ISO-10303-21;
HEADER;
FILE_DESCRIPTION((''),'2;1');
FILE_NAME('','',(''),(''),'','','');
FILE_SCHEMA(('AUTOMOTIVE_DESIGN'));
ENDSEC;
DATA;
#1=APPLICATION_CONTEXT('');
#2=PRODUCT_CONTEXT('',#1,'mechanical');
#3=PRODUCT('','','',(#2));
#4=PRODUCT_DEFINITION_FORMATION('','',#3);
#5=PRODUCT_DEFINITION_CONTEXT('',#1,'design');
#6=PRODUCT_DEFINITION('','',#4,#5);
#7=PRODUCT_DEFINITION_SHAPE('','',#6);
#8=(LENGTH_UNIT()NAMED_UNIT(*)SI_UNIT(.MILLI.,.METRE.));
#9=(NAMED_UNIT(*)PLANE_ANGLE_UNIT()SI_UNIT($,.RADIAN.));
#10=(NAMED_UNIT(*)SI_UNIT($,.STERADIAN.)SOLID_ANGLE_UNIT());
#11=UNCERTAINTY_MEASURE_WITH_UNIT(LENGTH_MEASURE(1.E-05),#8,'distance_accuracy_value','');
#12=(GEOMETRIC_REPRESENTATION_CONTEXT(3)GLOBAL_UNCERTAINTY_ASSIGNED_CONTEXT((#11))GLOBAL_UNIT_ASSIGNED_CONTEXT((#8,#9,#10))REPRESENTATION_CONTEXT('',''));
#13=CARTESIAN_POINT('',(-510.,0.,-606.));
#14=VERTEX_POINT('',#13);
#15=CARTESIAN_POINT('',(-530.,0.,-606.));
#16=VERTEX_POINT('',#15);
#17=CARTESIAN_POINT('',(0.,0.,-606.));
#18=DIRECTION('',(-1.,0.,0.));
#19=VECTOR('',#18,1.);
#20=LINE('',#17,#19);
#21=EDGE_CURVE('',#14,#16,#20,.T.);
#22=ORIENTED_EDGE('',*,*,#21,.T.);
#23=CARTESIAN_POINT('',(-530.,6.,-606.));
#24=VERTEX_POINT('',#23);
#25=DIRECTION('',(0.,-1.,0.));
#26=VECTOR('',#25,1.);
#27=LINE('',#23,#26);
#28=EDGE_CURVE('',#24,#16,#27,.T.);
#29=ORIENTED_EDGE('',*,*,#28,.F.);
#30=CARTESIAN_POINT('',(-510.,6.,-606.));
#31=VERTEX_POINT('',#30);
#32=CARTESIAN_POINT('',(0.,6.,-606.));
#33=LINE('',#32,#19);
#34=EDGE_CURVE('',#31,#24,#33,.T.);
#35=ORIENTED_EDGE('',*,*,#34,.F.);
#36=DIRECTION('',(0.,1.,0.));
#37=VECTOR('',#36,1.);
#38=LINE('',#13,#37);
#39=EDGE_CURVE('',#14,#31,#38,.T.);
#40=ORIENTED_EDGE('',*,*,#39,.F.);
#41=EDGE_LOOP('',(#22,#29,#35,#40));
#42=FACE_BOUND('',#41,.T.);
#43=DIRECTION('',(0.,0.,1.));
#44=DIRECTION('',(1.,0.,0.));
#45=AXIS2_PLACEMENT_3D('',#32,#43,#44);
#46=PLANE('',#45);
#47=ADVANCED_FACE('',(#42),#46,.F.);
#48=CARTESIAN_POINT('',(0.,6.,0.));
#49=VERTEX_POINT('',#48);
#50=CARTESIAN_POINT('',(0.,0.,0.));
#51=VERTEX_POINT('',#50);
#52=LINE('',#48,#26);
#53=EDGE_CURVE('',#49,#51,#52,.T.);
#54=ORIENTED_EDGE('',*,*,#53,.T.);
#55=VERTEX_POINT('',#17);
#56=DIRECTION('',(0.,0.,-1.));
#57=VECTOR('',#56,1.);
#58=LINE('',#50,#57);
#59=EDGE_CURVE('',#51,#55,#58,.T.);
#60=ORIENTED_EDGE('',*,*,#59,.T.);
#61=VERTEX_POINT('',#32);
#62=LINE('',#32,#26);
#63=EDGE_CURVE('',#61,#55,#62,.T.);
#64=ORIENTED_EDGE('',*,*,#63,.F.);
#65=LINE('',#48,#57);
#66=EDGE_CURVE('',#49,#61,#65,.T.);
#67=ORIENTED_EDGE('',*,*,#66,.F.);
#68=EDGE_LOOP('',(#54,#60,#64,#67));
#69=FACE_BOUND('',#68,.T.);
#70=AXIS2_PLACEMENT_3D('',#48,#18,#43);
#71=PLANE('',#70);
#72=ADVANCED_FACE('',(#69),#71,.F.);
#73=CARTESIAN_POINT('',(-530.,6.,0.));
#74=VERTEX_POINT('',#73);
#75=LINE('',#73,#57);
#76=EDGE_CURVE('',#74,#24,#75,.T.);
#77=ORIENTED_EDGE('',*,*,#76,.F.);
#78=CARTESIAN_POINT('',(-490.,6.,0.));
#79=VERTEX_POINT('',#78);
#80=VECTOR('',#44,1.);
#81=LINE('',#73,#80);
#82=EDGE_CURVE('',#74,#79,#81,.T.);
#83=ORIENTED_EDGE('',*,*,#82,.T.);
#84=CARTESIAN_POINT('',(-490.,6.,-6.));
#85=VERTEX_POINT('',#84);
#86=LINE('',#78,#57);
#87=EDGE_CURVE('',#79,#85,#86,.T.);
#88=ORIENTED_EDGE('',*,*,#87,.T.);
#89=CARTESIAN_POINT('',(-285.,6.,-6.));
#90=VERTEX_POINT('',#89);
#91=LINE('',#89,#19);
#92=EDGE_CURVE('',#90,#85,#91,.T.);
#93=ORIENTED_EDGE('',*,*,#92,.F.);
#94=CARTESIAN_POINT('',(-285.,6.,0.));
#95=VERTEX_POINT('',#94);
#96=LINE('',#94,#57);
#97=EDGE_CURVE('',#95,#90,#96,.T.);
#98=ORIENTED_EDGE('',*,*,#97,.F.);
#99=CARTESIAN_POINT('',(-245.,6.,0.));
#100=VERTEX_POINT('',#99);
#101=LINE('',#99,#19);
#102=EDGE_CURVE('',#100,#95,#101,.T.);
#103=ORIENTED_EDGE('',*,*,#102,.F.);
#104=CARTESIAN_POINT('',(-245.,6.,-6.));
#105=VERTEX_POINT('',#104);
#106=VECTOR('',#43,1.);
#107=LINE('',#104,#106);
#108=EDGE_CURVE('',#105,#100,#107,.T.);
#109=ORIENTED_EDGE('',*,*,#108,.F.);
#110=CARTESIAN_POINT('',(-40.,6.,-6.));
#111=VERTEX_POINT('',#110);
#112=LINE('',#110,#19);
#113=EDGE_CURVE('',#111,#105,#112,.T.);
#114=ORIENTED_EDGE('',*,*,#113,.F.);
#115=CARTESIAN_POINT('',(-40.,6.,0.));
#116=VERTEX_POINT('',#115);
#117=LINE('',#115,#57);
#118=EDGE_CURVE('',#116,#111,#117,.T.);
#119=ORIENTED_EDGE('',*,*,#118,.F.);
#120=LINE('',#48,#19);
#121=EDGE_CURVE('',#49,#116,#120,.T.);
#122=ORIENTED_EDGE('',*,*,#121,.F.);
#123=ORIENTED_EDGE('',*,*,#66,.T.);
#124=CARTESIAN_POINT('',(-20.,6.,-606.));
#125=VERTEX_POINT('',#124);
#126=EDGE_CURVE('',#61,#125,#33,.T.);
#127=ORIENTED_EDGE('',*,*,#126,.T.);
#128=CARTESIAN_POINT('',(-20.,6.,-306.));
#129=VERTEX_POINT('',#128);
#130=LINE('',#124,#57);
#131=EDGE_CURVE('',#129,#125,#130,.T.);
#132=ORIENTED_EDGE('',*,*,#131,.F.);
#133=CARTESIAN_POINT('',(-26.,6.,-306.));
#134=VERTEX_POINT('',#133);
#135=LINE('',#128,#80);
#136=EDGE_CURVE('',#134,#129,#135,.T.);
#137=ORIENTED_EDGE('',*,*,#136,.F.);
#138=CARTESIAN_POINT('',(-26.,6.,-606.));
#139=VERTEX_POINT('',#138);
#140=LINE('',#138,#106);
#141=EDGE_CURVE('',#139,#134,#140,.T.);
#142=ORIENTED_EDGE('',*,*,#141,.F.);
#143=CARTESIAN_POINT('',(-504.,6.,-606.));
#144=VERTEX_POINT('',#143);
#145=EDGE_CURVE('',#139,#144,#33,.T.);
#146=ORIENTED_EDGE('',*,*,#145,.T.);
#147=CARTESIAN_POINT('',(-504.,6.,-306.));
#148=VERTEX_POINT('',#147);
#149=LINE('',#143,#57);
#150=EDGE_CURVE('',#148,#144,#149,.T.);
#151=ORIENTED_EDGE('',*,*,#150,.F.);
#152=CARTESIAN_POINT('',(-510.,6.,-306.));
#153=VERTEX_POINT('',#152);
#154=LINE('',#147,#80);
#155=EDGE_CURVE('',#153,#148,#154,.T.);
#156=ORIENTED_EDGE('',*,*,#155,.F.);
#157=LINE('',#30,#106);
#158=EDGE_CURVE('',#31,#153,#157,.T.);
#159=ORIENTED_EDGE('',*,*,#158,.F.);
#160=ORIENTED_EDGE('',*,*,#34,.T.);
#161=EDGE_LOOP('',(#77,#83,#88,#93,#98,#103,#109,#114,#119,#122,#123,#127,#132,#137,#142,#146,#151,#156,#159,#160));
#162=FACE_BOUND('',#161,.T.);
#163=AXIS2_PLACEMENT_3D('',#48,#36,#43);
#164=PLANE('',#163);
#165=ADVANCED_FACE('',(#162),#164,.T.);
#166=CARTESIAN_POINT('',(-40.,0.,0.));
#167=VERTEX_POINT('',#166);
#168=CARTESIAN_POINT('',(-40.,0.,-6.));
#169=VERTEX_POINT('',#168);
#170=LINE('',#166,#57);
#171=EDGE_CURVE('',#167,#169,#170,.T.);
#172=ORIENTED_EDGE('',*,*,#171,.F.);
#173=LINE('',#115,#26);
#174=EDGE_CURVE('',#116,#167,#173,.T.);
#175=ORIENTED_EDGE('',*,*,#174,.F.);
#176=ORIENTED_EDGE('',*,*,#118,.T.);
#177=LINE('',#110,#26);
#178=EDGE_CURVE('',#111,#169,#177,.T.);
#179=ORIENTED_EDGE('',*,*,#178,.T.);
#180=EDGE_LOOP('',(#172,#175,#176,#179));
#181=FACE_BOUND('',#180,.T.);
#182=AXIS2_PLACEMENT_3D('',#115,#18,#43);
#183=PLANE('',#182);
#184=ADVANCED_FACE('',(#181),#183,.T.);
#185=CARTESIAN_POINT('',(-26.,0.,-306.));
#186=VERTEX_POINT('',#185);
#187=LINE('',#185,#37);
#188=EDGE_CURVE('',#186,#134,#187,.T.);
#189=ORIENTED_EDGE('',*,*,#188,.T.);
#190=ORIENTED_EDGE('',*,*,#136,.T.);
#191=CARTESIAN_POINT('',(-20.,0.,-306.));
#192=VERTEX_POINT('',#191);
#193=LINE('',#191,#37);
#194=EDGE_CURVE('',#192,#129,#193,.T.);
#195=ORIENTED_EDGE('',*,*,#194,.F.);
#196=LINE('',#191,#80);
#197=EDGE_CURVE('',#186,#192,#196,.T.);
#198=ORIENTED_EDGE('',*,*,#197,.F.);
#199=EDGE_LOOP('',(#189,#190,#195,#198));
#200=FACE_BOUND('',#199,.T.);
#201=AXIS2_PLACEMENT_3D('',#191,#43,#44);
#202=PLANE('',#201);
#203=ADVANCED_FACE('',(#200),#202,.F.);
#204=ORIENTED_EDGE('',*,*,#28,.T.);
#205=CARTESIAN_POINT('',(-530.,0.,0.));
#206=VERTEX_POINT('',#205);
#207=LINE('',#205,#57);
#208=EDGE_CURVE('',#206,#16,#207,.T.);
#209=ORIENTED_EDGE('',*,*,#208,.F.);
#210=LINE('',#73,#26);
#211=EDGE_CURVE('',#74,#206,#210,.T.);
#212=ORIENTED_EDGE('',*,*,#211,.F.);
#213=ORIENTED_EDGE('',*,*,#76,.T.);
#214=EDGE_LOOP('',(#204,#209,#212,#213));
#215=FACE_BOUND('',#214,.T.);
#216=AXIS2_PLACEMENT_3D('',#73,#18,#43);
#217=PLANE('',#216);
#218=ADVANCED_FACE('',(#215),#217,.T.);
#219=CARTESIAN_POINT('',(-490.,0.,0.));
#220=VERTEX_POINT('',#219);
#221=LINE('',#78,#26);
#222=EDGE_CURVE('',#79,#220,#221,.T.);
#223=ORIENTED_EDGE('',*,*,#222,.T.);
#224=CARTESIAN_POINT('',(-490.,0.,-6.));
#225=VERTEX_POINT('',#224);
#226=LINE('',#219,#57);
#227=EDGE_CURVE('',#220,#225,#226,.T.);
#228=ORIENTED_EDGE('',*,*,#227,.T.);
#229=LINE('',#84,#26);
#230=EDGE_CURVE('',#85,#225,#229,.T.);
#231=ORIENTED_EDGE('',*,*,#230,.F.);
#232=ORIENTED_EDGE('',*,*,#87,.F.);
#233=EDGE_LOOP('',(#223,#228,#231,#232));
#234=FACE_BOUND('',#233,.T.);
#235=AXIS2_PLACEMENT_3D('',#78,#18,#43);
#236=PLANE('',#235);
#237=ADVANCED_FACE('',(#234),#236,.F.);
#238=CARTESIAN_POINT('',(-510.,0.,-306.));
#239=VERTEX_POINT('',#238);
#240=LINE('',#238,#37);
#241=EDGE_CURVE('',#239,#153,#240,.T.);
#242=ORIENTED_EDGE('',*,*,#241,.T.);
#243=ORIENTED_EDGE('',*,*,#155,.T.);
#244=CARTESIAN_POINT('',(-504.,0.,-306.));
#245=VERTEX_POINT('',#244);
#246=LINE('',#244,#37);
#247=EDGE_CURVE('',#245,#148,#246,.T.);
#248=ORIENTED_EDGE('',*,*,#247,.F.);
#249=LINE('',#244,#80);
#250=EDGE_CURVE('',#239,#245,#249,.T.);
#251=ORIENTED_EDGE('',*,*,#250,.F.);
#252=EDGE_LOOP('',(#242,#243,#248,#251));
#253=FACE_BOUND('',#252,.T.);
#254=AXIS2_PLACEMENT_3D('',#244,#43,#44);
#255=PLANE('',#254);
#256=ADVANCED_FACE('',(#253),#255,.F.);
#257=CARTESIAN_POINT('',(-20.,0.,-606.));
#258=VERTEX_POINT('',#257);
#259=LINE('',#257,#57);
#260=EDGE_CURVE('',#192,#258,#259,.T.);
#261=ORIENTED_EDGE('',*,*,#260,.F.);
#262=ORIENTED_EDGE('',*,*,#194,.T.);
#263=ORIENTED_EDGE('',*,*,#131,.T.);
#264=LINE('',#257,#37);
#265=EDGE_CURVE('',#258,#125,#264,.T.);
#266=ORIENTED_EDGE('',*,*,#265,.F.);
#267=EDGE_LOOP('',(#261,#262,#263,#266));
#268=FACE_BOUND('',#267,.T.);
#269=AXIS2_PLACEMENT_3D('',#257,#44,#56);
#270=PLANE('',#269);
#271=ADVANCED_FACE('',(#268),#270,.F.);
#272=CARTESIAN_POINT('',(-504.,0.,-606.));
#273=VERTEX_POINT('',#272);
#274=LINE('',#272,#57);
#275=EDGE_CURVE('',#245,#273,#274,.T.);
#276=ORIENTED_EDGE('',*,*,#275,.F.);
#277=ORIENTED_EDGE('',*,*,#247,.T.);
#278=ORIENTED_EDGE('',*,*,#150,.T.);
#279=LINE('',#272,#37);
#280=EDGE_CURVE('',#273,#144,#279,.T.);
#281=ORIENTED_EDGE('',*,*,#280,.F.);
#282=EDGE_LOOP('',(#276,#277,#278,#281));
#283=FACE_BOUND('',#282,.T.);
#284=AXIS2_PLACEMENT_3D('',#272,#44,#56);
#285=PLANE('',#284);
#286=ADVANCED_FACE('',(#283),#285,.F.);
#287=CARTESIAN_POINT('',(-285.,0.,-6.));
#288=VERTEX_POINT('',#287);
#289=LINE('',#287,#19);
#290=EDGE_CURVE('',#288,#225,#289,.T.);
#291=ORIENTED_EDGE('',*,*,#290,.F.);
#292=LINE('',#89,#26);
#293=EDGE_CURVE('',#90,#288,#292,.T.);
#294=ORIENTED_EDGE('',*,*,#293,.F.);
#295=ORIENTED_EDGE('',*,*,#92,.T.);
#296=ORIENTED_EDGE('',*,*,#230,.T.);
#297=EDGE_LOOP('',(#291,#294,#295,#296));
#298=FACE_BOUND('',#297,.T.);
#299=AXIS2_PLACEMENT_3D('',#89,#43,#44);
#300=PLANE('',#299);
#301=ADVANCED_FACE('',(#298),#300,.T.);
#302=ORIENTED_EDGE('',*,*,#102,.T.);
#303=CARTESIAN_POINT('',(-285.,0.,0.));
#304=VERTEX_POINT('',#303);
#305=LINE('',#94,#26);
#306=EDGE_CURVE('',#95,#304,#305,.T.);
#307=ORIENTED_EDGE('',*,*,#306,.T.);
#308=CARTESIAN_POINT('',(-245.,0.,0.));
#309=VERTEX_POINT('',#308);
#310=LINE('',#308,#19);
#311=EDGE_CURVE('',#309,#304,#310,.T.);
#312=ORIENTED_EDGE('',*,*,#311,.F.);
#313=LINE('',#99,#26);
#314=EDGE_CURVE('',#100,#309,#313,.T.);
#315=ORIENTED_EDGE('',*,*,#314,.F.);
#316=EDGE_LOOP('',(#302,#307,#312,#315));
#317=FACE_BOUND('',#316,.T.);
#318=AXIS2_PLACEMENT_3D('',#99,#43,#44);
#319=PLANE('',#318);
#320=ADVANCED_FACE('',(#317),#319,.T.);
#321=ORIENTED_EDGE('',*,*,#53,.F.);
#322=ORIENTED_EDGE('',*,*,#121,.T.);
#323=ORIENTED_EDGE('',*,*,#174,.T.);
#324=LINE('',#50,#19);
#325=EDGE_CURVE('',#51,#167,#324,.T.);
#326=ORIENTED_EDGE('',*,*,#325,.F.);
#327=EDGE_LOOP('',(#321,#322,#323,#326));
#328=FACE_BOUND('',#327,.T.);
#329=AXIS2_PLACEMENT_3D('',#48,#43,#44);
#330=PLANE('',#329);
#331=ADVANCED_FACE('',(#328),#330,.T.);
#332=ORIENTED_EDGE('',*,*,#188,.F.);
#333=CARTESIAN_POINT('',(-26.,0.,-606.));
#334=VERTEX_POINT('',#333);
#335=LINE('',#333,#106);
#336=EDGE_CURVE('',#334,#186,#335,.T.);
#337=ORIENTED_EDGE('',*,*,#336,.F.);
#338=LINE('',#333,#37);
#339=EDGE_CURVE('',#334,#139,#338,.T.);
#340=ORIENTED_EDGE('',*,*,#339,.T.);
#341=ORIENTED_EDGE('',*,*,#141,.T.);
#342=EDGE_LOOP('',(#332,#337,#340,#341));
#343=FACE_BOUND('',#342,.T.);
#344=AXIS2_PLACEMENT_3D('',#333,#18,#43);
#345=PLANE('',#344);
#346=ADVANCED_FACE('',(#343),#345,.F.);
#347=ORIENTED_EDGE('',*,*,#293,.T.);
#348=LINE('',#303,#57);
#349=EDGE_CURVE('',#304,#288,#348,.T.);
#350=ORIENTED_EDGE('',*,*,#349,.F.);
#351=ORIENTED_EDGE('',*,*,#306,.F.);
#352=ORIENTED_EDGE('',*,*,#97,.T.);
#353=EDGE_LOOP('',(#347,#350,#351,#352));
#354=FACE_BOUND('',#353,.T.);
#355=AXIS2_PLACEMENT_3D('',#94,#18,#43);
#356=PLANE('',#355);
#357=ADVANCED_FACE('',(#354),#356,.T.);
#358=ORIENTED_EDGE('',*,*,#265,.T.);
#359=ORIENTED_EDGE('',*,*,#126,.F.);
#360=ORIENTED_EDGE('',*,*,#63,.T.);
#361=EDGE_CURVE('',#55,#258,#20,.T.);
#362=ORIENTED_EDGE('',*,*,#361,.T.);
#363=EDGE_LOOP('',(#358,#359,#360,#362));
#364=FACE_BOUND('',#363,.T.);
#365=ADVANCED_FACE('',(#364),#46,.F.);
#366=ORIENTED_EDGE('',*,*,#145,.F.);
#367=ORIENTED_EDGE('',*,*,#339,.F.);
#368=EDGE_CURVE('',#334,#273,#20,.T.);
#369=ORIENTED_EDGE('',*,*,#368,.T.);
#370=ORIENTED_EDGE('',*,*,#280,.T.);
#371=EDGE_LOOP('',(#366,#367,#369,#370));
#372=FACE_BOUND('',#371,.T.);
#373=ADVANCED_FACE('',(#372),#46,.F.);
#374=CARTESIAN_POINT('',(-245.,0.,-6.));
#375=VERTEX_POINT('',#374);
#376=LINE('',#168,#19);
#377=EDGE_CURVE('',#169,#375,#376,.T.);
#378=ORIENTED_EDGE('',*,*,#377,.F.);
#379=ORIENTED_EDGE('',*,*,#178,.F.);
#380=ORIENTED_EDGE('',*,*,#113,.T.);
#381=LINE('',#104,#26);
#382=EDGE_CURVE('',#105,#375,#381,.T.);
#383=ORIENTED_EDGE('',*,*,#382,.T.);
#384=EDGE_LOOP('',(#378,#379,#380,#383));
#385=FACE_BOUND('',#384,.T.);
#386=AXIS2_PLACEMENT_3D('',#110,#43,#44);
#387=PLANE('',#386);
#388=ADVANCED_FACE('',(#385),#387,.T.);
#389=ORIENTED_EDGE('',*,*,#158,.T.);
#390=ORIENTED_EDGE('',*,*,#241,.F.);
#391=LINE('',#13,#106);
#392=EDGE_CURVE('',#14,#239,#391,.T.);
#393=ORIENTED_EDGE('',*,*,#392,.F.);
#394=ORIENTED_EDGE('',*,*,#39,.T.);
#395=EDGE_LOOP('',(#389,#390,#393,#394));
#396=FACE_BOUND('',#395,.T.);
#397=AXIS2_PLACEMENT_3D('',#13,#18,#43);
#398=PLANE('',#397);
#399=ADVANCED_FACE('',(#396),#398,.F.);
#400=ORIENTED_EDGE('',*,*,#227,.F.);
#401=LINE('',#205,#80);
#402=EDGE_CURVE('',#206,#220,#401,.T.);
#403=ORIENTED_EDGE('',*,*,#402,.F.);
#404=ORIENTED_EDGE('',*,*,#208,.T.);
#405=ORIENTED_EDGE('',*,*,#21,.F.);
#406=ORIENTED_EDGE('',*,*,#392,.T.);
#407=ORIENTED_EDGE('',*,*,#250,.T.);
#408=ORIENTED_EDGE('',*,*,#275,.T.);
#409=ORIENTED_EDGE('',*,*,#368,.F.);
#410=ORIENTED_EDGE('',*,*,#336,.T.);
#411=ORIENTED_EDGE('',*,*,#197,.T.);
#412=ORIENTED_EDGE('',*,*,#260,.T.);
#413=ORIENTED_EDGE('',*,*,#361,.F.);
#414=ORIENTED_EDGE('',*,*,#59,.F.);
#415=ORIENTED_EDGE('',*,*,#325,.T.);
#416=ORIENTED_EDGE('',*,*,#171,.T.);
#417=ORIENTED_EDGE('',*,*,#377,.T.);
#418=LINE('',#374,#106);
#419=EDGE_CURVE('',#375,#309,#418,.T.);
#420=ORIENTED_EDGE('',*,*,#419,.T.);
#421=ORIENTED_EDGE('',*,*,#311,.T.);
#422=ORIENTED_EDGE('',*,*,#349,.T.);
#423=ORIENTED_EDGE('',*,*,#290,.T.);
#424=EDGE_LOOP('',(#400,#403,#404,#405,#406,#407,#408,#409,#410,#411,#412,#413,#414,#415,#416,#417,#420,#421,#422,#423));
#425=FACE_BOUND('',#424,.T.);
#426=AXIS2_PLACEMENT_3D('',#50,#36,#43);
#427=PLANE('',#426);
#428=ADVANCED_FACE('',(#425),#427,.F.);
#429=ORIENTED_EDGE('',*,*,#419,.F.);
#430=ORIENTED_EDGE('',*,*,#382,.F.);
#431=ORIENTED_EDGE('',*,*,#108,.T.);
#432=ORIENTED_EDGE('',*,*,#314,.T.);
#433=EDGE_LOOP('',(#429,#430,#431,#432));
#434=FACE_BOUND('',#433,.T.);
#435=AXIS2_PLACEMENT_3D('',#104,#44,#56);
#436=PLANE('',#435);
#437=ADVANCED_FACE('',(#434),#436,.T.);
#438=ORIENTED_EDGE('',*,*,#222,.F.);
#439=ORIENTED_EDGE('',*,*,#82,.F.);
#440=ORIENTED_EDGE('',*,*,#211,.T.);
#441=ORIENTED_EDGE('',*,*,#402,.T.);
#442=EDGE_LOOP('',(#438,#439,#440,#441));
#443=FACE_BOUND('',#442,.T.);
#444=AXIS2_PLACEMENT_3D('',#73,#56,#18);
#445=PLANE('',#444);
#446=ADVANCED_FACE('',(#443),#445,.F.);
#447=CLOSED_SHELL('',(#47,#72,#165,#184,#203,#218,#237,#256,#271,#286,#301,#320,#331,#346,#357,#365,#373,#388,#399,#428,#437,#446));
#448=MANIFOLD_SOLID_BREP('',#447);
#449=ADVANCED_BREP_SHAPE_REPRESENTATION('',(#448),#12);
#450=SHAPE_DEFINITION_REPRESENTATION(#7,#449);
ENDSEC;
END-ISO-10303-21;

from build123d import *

# Parameters (mm, degrees)
BOSS_EXTRUDE1_DEPTH = 6
SKETCH2_W           = 6
SKETCH2_H           = 300
CUT_EXTRUDE1_DEPTH  = 6
LPATTERN1_COUNT     = 2
LPATTERN1_PITCH     = 484


with BuildPart() as part:
    # Sketch1 → Boss-Extrude1 (new body)
    with BuildSketch(Plane(origin=(0, 0, 0), x_dir=(1, 0, 0), z_dir=(0, 1, 0))):
        Polygon((-530, 0), (-490, 0), (-490, 6), (-285, 6), (-285, 0), (-245, 0), (-245, 6), (-40, 6), (-40, 0), (0, 0), (0, 606), (-530, 606), align=None)
    extrude(amount=BOSS_EXTRUDE1_DEPTH)

    # Sketch2 → Cut-Extrude1 (cut)
    with BuildSketch(Plane(origin=(0, 6, 0), x_dir=(1, 0, 0), z_dir=(0, 1, 0))):
        with Locations((-23, 456)):
            Rectangle(SKETCH2_W, SKETCH2_H)
    cut_extrude1 = extrude(amount=-CUT_EXTRUDE1_DEPTH, mode=Mode.SUBTRACT)

    # LPattern1: Cut-Extrude1 ×2
    with Locations(*[(-i * LPATTERN1_PITCH, 0, 0) for i in range(1, LPATTERN1_COUNT)]):
        add(cut_extrude1, mode=Mode.SUBTRACT)


solid = part.part
